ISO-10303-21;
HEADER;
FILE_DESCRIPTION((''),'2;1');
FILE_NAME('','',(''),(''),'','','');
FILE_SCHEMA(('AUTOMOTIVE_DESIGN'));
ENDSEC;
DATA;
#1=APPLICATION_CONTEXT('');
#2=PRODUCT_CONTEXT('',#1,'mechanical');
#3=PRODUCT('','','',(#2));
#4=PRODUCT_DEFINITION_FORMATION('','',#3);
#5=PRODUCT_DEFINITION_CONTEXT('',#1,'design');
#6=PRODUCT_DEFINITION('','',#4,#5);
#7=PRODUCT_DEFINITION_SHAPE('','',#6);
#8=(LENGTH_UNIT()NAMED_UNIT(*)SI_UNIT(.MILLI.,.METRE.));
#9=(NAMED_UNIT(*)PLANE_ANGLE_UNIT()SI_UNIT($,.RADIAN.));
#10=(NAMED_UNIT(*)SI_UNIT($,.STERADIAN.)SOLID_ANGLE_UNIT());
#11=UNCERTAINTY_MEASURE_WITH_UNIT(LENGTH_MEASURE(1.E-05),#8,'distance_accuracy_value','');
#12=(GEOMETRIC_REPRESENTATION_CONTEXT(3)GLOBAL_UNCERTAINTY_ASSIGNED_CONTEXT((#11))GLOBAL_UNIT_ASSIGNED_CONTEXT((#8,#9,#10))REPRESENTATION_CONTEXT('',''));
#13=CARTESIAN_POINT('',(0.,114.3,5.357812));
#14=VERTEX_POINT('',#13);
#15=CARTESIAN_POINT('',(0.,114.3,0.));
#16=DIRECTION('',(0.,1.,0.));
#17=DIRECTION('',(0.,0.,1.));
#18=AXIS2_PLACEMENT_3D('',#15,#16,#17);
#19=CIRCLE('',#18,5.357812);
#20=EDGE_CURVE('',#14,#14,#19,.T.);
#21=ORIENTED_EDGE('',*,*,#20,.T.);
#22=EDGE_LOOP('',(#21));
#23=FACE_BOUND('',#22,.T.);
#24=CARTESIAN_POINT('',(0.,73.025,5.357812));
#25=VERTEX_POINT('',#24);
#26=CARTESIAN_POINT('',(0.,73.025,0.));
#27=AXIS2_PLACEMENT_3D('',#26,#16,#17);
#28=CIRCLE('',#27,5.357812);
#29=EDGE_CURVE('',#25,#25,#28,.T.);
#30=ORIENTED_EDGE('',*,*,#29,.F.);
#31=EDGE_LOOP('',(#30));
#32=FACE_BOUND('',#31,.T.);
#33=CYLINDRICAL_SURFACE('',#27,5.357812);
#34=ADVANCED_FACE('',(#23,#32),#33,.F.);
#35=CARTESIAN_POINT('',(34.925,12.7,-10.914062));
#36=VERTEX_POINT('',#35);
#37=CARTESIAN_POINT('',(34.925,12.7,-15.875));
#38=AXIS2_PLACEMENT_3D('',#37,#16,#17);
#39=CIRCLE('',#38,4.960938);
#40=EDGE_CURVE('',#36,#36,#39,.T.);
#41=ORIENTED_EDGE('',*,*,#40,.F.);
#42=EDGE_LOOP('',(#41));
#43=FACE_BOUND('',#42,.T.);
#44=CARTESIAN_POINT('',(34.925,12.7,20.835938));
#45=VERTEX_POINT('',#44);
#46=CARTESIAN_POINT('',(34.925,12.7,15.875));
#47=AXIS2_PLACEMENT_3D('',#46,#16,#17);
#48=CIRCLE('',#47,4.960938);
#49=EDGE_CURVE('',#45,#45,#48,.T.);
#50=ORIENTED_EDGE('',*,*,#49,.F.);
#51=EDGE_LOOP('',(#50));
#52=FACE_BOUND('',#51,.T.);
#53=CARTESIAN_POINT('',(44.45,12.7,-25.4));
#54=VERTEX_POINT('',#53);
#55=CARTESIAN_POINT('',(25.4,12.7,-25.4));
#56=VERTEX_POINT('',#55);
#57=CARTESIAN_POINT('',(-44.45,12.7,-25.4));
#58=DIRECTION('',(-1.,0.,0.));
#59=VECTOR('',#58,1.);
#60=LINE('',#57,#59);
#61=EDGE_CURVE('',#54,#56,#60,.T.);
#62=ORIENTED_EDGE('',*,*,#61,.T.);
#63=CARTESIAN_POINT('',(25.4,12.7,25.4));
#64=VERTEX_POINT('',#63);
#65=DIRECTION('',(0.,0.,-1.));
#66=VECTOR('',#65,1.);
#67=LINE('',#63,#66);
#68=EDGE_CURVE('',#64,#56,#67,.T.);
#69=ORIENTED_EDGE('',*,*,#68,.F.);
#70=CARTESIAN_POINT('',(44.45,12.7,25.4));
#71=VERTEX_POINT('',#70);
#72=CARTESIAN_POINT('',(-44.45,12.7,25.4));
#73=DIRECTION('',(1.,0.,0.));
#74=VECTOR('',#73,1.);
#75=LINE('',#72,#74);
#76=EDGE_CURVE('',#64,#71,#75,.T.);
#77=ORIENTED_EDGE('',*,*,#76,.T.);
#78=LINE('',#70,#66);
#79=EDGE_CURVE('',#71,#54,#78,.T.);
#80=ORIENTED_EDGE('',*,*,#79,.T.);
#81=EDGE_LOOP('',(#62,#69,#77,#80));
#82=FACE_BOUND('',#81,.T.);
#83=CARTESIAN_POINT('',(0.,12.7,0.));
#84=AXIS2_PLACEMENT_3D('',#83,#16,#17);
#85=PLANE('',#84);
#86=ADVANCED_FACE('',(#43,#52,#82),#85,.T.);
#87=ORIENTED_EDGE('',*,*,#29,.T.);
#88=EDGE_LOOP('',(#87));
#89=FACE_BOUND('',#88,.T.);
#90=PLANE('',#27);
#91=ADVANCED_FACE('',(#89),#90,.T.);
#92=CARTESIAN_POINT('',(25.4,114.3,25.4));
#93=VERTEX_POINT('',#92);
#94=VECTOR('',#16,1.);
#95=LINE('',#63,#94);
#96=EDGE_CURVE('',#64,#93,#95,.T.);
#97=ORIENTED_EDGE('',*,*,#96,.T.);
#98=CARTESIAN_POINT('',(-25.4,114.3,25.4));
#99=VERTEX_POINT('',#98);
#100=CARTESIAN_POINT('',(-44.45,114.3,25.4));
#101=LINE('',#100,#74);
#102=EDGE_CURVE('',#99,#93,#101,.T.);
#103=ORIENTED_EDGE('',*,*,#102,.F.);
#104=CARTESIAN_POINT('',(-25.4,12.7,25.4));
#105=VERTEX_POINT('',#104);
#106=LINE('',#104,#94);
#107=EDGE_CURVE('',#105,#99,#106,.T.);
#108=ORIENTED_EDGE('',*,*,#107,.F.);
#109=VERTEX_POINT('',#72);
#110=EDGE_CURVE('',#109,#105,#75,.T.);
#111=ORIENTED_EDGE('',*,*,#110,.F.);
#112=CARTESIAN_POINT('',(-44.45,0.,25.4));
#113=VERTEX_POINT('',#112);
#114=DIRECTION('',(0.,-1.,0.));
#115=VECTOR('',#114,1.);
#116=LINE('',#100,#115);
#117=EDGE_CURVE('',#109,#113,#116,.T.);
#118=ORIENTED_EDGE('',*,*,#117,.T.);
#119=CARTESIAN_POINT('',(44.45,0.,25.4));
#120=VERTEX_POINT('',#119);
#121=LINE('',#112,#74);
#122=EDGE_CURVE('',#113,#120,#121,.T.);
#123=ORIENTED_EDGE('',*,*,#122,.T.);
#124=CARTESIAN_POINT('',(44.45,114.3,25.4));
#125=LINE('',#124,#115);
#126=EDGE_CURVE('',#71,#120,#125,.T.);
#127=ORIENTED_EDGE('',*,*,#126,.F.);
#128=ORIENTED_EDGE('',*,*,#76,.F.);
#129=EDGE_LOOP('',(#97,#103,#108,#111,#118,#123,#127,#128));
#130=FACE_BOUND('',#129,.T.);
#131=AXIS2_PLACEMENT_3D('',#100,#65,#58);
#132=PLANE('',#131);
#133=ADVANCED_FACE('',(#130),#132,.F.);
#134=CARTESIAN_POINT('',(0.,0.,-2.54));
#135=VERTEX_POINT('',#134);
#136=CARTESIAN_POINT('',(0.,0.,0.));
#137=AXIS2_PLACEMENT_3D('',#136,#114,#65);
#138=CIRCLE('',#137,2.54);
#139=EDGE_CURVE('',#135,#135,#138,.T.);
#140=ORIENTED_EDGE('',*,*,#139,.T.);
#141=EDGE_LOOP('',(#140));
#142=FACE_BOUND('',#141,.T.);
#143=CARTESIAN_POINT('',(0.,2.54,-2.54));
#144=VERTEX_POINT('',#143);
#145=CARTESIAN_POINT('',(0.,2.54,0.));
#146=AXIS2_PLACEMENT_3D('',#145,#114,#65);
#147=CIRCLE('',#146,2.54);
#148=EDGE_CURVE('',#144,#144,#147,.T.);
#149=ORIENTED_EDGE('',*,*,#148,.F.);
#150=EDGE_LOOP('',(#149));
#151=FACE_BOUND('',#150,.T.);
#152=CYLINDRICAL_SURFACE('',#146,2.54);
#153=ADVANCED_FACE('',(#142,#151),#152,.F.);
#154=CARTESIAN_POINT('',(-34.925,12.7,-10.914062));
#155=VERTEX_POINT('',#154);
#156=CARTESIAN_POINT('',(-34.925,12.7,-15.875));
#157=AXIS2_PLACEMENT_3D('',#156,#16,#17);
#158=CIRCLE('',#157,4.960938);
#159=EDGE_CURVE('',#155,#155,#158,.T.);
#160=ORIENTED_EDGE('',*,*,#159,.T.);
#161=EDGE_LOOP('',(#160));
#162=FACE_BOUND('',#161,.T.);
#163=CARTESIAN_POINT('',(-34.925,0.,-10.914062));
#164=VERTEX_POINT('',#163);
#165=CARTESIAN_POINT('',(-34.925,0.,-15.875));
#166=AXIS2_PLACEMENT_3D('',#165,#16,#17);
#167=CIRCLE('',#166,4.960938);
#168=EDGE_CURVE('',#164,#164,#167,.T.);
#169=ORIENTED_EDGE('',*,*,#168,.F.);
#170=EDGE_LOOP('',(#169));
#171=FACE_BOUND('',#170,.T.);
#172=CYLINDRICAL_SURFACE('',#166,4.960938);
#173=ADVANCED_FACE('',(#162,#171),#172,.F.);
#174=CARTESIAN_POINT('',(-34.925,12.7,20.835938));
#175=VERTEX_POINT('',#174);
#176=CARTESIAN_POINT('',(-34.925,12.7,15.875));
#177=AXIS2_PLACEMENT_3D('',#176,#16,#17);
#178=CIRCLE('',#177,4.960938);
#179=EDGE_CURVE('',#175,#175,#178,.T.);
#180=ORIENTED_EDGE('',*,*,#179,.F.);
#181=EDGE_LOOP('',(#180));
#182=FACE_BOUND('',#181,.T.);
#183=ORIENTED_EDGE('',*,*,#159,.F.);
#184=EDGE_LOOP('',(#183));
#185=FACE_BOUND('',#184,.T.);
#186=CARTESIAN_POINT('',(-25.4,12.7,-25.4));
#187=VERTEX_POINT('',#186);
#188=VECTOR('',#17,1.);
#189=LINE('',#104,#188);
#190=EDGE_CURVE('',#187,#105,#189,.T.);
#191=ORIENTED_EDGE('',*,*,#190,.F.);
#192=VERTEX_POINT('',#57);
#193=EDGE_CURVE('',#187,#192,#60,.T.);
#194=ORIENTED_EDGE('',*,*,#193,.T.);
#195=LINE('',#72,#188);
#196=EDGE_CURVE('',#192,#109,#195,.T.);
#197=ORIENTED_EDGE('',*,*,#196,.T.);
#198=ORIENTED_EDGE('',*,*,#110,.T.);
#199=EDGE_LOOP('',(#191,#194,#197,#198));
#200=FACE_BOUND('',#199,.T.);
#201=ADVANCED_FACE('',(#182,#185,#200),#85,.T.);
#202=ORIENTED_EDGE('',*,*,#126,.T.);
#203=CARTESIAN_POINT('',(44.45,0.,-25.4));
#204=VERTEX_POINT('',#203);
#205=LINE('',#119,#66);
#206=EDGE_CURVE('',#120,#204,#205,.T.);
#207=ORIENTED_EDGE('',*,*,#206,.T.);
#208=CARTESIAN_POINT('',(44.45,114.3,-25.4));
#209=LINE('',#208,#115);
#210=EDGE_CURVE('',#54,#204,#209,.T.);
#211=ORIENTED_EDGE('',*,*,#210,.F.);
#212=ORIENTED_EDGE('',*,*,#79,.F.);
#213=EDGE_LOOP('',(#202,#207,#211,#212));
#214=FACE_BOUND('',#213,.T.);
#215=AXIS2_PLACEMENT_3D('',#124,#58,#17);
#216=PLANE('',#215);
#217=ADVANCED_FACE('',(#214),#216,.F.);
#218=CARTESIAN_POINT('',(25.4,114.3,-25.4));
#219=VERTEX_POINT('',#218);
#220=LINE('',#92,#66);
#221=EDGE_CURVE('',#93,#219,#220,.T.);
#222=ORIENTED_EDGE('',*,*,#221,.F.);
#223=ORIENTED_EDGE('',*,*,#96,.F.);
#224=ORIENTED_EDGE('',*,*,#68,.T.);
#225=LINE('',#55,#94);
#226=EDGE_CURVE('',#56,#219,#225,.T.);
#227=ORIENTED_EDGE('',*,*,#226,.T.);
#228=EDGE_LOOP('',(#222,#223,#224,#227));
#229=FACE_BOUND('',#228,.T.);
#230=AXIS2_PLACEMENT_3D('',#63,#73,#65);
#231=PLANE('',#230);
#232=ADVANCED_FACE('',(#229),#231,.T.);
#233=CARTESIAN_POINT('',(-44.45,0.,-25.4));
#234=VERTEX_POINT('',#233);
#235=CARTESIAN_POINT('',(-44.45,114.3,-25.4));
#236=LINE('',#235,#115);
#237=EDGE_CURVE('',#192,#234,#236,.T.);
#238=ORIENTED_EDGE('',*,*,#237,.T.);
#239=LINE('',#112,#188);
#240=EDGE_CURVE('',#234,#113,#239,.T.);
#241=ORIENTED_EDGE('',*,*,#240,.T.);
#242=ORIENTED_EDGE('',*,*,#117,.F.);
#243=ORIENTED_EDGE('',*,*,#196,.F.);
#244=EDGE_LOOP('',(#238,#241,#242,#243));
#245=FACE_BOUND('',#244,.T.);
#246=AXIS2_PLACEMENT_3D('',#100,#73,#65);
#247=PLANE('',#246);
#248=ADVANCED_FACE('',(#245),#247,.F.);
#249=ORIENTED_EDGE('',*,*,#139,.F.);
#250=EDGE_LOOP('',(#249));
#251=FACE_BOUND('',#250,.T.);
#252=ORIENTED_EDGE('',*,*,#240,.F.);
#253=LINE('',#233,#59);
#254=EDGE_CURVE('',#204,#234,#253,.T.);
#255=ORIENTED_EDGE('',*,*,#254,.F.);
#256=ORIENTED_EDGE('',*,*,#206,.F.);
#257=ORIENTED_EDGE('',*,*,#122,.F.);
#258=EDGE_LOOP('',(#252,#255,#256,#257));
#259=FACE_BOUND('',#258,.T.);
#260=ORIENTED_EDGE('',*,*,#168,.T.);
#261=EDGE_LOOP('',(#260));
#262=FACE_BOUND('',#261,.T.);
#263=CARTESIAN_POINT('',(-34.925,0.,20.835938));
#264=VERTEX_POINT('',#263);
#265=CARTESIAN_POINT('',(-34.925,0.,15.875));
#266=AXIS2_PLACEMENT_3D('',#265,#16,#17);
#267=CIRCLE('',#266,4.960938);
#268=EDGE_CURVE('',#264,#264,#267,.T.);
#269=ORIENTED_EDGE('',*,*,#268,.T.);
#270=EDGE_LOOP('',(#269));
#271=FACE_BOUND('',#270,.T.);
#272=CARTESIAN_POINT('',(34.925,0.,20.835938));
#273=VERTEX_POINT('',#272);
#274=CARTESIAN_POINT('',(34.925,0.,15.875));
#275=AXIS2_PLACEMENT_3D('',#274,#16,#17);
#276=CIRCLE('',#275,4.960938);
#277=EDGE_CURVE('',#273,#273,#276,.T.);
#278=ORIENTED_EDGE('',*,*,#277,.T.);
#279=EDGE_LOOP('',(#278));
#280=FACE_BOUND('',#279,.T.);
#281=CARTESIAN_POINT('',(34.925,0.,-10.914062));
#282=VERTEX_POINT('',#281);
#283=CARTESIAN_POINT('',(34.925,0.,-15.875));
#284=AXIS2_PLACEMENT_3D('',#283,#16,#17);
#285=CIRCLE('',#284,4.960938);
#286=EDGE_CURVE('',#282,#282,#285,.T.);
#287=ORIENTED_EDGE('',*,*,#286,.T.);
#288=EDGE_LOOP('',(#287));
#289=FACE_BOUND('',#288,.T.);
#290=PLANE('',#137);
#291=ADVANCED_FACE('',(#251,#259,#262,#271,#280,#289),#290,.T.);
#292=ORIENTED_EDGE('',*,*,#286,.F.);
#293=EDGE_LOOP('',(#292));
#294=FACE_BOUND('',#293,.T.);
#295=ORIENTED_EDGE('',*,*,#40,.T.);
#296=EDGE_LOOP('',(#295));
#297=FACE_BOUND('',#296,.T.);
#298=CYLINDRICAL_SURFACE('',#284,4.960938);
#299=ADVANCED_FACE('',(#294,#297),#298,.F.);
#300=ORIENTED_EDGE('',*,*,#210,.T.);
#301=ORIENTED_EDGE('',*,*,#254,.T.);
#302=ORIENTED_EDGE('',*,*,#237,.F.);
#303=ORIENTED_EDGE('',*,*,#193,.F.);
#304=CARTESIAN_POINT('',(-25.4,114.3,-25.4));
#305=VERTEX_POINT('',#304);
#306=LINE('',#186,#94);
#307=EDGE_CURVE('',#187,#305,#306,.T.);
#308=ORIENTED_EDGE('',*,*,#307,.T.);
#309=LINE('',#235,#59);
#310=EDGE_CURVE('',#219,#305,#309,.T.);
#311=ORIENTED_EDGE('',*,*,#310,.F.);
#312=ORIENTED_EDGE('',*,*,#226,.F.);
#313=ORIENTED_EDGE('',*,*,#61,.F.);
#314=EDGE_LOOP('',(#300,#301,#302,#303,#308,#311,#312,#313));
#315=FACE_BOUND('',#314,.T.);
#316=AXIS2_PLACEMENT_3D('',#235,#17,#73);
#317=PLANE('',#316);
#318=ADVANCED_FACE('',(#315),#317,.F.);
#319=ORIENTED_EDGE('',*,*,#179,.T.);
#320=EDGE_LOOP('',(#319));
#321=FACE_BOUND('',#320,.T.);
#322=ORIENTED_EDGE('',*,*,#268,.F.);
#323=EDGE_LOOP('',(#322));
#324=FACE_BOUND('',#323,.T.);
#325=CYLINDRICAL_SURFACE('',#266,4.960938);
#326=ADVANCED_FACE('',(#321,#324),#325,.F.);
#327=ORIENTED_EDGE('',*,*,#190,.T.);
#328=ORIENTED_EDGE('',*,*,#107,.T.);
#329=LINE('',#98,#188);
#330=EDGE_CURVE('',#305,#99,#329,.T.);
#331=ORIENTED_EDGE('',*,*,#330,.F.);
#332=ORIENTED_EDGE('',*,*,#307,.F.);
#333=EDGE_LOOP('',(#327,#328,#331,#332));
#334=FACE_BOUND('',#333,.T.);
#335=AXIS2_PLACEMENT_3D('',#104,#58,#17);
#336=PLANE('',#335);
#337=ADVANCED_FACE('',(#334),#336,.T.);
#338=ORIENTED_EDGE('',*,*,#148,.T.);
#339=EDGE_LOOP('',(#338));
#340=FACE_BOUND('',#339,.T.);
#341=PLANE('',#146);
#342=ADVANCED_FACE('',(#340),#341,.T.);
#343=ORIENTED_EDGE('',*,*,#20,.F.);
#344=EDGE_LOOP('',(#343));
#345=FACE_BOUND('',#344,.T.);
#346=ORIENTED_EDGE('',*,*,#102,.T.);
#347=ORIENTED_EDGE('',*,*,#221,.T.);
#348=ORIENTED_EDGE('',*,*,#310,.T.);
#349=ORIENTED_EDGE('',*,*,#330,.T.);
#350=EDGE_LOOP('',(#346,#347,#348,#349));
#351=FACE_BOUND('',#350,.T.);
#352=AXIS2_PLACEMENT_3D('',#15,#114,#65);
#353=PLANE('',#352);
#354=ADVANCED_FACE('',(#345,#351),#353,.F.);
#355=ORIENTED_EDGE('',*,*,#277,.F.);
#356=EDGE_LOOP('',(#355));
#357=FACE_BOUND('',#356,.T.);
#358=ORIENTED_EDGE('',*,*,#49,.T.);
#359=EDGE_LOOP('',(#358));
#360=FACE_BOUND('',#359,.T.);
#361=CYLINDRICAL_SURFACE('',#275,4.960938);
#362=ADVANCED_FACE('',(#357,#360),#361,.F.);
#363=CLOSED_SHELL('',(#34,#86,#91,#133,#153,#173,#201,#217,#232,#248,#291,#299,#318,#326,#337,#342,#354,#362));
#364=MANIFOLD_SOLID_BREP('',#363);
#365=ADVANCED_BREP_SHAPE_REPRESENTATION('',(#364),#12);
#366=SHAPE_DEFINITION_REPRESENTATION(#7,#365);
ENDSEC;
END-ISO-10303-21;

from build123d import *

# Parameters (mm, degrees)
SKETCH1_W           = 88.9
SKETCH1_H           = 50.8
BOSS_EXTRUDE1_DEPTH = 114.3
SKETCH2_OUTSIDE_W   = 121.59
SKETCH2_OUTSIDE_H   = 83.49
SKETCH2_OUTSIDE_W_2 = 50.8
SKETCH2_OUTSIDE_H_2 = 50.8
CUT_EXTRUDE1_DEPTH  = 101.6
SKETCH3_R           = 4.9609375
CUT_EXTRUDE2_DEPTH  = 114.769602707
SKETCH4_R           = 5.3578125
CUT_EXTRUDE3_DEPTH  = 41.275
SKETCH5_R           = 2.54
CUT_EXTRUDE4_DEPTH  = 2.54


with BuildPart() as part:
    # Sketch1 → Boss-Extrude1 (new body)
    with BuildSketch(Plane(origin=(0, 0, 0), x_dir=(1, 0, 0), z_dir=(0, 1, 0))):
        Rectangle(SKETCH1_W, SKETCH1_H)
    extrude(amount=BOSS_EXTRUDE1_DEPTH)

    # Sketch2 outside → Cut-Extrude1 (cut)
    with BuildSketch(Plane(origin=(0, 114.3, 0), x_dir=(1, 0, 0), z_dir=(0, 1, 0))):
        Rectangle(SKETCH2_OUTSIDE_W, SKETCH2_OUTSIDE_H)
        Rectangle(SKETCH2_OUTSIDE_W_2, SKETCH2_OUTSIDE_H_2, mode=Mode.SUBTRACT)
    extrude(amount=-CUT_EXTRUDE1_DEPTH, mode=Mode.SUBTRACT)

    # Sketch3 → Cut-Extrude2 (cut, through all)
    with BuildSketch(Plane(origin=(0, 12.7, 0), x_dir=(1, 0, 0), z_dir=(0, 1, 0))):
        with Locations(Location((-34.925, 15.875, 0), (0, 0, 270))):
            Circle(SKETCH3_R)
        with Locations(Location((-34.925, -15.875, 0), (0, 0, 270))):
            Circle(SKETCH3_R)
        with Locations(Location((34.925, -15.875, 0), (0, 0, 270))):
            Circle(SKETCH3_R)
        with Locations(Location((34.925, 15.875, 0), (0, 0, 270))):
            Circle(SKETCH3_R)
    extrude(amount=-CUT_EXTRUDE2_DEPTH, mode=Mode.SUBTRACT)

    # Sketch4 → Cut-Extrude3 (cut)
    with BuildSketch(Plane(origin=(0, 114.3, 0), x_dir=(1, 0, 0), z_dir=(0, 1, 0))):
        with Locations(Location((0, 0, 0), (0, 0, 270))):
            Circle(SKETCH4_R)
    extrude(amount=-CUT_EXTRUDE3_DEPTH, mode=Mode.SUBTRACT)

    # Sketch5 → Cut-Extrude4 (cut)
    with BuildSketch(Plane.XZ):
        with Locations(Location((0, 0, 0), (0, 0, 270))):
            Circle(SKETCH5_R)
    extrude(amount=-CUT_EXTRUDE4_DEPTH, mode=Mode.SUBTRACT)


solid = part.part
